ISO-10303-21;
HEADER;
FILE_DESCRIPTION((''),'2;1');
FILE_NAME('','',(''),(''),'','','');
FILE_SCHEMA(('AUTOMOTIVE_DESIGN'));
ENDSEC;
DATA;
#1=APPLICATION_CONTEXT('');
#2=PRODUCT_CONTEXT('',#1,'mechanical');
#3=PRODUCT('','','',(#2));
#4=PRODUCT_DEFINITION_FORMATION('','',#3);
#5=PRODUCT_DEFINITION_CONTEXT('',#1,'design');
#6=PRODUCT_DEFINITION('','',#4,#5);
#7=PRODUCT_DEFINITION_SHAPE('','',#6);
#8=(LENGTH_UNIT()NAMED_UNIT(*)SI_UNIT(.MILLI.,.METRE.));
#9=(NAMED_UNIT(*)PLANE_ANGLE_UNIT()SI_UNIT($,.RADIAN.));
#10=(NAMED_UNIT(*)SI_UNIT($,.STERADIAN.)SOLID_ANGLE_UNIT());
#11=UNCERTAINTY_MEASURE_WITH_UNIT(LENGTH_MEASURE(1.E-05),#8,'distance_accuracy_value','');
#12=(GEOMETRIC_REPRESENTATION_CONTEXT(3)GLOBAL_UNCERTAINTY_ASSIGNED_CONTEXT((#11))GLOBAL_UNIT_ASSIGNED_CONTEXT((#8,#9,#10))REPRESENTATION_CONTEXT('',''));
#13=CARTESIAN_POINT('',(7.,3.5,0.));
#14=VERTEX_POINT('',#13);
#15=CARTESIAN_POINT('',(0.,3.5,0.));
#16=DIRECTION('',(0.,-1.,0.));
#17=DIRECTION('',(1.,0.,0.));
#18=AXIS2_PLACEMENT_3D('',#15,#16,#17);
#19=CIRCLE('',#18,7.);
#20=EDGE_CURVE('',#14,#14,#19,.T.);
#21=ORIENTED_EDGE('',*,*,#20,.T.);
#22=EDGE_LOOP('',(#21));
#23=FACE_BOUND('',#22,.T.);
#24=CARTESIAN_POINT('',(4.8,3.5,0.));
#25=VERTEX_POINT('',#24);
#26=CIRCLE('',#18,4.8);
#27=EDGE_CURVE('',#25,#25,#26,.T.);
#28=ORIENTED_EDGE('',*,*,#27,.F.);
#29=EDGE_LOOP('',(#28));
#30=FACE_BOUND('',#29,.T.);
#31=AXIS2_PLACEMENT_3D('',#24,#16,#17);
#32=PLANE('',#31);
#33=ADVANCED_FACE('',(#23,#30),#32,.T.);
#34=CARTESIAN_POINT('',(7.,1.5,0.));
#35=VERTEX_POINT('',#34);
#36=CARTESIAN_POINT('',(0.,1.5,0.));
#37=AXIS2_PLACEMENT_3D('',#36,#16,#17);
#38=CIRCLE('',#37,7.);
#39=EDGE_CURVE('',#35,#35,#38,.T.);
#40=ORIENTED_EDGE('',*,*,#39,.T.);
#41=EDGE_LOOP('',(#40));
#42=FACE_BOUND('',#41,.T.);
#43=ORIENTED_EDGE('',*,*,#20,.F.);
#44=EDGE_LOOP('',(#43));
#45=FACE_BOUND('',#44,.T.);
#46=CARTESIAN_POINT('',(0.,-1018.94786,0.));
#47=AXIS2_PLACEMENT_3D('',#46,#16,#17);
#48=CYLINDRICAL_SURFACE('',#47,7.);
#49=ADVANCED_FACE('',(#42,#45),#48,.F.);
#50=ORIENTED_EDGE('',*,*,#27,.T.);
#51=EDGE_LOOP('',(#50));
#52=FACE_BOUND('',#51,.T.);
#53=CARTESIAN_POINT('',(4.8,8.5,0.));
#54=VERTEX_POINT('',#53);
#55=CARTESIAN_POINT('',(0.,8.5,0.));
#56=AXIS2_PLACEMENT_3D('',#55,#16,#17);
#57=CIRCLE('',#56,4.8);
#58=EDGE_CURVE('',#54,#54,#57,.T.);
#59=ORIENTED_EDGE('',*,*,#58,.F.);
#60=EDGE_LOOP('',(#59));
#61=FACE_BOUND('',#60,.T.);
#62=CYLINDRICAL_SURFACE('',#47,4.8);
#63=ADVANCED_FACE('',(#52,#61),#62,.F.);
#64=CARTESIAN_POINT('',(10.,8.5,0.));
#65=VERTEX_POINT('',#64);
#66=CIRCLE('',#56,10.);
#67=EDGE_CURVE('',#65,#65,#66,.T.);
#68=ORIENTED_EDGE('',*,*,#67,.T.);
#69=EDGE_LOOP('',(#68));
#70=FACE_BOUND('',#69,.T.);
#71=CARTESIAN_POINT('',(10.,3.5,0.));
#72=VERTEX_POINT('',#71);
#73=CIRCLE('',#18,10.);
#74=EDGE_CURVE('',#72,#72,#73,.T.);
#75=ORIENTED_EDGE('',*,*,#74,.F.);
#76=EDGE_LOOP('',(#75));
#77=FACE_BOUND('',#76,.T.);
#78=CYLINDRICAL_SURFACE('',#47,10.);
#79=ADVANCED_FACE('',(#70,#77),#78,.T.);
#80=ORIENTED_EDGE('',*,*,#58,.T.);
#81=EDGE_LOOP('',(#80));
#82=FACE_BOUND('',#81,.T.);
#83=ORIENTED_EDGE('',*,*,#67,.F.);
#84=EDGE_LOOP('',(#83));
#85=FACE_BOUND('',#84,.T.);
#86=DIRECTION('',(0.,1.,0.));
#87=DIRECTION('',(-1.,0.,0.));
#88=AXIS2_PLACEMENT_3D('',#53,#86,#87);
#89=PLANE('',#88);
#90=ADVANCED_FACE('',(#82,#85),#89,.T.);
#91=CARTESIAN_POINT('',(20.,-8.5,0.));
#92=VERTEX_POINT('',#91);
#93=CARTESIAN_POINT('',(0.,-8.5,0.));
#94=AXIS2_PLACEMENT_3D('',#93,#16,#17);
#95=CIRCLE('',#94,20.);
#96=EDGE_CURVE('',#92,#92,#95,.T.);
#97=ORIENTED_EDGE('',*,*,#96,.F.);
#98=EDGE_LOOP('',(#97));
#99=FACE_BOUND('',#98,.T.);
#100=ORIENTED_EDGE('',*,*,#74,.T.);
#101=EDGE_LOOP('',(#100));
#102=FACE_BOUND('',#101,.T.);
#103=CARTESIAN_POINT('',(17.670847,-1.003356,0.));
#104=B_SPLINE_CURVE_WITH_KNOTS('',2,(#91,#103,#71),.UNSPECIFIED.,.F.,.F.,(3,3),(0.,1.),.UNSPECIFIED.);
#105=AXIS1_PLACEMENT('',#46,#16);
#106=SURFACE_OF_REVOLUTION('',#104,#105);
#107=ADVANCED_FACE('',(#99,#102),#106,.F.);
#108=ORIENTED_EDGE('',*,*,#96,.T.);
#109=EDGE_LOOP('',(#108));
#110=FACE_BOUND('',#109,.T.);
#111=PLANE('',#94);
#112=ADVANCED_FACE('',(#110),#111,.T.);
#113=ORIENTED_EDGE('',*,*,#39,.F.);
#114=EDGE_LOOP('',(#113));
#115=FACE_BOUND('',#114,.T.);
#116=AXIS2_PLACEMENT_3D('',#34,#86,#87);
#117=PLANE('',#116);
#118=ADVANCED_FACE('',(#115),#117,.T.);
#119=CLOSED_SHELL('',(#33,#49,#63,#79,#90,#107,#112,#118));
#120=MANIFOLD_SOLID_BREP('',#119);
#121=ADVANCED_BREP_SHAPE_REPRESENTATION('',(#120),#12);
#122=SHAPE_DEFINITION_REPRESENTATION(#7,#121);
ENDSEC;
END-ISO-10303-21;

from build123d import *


with BuildPart() as part:
    # Sketch2 → Revolve3 (revolve)
    with BuildSketch(Plane.XY):
        with BuildLine():
            Line((0, -8.5), (20, -8.5))
            add(Edge.make_bspline(
                [(10, 3.5), (17.670847147, -1.003355788), (20, -8.5)],
                knots=[0, 0, 0, 1, 1, 1], degree=2))
            Line((10, 3.5), (10, 8.5))
            Line((10, 8.5), (4.8, 8.5))
            Line((4.8, 8.5), (4.8, 3.5))
            Line((4.8, 3.5), (7, 3.5))
            Line((7, 3.5), (7, 1.5))
            Line((7, 1.5), (0, 1.5))
            Line((0, 1.5), (0, -8.5))
        make_face()
    revolve(axis=Axis((0, -1018.947859526, 0), (0, 1, 0)))


solid = part.part
